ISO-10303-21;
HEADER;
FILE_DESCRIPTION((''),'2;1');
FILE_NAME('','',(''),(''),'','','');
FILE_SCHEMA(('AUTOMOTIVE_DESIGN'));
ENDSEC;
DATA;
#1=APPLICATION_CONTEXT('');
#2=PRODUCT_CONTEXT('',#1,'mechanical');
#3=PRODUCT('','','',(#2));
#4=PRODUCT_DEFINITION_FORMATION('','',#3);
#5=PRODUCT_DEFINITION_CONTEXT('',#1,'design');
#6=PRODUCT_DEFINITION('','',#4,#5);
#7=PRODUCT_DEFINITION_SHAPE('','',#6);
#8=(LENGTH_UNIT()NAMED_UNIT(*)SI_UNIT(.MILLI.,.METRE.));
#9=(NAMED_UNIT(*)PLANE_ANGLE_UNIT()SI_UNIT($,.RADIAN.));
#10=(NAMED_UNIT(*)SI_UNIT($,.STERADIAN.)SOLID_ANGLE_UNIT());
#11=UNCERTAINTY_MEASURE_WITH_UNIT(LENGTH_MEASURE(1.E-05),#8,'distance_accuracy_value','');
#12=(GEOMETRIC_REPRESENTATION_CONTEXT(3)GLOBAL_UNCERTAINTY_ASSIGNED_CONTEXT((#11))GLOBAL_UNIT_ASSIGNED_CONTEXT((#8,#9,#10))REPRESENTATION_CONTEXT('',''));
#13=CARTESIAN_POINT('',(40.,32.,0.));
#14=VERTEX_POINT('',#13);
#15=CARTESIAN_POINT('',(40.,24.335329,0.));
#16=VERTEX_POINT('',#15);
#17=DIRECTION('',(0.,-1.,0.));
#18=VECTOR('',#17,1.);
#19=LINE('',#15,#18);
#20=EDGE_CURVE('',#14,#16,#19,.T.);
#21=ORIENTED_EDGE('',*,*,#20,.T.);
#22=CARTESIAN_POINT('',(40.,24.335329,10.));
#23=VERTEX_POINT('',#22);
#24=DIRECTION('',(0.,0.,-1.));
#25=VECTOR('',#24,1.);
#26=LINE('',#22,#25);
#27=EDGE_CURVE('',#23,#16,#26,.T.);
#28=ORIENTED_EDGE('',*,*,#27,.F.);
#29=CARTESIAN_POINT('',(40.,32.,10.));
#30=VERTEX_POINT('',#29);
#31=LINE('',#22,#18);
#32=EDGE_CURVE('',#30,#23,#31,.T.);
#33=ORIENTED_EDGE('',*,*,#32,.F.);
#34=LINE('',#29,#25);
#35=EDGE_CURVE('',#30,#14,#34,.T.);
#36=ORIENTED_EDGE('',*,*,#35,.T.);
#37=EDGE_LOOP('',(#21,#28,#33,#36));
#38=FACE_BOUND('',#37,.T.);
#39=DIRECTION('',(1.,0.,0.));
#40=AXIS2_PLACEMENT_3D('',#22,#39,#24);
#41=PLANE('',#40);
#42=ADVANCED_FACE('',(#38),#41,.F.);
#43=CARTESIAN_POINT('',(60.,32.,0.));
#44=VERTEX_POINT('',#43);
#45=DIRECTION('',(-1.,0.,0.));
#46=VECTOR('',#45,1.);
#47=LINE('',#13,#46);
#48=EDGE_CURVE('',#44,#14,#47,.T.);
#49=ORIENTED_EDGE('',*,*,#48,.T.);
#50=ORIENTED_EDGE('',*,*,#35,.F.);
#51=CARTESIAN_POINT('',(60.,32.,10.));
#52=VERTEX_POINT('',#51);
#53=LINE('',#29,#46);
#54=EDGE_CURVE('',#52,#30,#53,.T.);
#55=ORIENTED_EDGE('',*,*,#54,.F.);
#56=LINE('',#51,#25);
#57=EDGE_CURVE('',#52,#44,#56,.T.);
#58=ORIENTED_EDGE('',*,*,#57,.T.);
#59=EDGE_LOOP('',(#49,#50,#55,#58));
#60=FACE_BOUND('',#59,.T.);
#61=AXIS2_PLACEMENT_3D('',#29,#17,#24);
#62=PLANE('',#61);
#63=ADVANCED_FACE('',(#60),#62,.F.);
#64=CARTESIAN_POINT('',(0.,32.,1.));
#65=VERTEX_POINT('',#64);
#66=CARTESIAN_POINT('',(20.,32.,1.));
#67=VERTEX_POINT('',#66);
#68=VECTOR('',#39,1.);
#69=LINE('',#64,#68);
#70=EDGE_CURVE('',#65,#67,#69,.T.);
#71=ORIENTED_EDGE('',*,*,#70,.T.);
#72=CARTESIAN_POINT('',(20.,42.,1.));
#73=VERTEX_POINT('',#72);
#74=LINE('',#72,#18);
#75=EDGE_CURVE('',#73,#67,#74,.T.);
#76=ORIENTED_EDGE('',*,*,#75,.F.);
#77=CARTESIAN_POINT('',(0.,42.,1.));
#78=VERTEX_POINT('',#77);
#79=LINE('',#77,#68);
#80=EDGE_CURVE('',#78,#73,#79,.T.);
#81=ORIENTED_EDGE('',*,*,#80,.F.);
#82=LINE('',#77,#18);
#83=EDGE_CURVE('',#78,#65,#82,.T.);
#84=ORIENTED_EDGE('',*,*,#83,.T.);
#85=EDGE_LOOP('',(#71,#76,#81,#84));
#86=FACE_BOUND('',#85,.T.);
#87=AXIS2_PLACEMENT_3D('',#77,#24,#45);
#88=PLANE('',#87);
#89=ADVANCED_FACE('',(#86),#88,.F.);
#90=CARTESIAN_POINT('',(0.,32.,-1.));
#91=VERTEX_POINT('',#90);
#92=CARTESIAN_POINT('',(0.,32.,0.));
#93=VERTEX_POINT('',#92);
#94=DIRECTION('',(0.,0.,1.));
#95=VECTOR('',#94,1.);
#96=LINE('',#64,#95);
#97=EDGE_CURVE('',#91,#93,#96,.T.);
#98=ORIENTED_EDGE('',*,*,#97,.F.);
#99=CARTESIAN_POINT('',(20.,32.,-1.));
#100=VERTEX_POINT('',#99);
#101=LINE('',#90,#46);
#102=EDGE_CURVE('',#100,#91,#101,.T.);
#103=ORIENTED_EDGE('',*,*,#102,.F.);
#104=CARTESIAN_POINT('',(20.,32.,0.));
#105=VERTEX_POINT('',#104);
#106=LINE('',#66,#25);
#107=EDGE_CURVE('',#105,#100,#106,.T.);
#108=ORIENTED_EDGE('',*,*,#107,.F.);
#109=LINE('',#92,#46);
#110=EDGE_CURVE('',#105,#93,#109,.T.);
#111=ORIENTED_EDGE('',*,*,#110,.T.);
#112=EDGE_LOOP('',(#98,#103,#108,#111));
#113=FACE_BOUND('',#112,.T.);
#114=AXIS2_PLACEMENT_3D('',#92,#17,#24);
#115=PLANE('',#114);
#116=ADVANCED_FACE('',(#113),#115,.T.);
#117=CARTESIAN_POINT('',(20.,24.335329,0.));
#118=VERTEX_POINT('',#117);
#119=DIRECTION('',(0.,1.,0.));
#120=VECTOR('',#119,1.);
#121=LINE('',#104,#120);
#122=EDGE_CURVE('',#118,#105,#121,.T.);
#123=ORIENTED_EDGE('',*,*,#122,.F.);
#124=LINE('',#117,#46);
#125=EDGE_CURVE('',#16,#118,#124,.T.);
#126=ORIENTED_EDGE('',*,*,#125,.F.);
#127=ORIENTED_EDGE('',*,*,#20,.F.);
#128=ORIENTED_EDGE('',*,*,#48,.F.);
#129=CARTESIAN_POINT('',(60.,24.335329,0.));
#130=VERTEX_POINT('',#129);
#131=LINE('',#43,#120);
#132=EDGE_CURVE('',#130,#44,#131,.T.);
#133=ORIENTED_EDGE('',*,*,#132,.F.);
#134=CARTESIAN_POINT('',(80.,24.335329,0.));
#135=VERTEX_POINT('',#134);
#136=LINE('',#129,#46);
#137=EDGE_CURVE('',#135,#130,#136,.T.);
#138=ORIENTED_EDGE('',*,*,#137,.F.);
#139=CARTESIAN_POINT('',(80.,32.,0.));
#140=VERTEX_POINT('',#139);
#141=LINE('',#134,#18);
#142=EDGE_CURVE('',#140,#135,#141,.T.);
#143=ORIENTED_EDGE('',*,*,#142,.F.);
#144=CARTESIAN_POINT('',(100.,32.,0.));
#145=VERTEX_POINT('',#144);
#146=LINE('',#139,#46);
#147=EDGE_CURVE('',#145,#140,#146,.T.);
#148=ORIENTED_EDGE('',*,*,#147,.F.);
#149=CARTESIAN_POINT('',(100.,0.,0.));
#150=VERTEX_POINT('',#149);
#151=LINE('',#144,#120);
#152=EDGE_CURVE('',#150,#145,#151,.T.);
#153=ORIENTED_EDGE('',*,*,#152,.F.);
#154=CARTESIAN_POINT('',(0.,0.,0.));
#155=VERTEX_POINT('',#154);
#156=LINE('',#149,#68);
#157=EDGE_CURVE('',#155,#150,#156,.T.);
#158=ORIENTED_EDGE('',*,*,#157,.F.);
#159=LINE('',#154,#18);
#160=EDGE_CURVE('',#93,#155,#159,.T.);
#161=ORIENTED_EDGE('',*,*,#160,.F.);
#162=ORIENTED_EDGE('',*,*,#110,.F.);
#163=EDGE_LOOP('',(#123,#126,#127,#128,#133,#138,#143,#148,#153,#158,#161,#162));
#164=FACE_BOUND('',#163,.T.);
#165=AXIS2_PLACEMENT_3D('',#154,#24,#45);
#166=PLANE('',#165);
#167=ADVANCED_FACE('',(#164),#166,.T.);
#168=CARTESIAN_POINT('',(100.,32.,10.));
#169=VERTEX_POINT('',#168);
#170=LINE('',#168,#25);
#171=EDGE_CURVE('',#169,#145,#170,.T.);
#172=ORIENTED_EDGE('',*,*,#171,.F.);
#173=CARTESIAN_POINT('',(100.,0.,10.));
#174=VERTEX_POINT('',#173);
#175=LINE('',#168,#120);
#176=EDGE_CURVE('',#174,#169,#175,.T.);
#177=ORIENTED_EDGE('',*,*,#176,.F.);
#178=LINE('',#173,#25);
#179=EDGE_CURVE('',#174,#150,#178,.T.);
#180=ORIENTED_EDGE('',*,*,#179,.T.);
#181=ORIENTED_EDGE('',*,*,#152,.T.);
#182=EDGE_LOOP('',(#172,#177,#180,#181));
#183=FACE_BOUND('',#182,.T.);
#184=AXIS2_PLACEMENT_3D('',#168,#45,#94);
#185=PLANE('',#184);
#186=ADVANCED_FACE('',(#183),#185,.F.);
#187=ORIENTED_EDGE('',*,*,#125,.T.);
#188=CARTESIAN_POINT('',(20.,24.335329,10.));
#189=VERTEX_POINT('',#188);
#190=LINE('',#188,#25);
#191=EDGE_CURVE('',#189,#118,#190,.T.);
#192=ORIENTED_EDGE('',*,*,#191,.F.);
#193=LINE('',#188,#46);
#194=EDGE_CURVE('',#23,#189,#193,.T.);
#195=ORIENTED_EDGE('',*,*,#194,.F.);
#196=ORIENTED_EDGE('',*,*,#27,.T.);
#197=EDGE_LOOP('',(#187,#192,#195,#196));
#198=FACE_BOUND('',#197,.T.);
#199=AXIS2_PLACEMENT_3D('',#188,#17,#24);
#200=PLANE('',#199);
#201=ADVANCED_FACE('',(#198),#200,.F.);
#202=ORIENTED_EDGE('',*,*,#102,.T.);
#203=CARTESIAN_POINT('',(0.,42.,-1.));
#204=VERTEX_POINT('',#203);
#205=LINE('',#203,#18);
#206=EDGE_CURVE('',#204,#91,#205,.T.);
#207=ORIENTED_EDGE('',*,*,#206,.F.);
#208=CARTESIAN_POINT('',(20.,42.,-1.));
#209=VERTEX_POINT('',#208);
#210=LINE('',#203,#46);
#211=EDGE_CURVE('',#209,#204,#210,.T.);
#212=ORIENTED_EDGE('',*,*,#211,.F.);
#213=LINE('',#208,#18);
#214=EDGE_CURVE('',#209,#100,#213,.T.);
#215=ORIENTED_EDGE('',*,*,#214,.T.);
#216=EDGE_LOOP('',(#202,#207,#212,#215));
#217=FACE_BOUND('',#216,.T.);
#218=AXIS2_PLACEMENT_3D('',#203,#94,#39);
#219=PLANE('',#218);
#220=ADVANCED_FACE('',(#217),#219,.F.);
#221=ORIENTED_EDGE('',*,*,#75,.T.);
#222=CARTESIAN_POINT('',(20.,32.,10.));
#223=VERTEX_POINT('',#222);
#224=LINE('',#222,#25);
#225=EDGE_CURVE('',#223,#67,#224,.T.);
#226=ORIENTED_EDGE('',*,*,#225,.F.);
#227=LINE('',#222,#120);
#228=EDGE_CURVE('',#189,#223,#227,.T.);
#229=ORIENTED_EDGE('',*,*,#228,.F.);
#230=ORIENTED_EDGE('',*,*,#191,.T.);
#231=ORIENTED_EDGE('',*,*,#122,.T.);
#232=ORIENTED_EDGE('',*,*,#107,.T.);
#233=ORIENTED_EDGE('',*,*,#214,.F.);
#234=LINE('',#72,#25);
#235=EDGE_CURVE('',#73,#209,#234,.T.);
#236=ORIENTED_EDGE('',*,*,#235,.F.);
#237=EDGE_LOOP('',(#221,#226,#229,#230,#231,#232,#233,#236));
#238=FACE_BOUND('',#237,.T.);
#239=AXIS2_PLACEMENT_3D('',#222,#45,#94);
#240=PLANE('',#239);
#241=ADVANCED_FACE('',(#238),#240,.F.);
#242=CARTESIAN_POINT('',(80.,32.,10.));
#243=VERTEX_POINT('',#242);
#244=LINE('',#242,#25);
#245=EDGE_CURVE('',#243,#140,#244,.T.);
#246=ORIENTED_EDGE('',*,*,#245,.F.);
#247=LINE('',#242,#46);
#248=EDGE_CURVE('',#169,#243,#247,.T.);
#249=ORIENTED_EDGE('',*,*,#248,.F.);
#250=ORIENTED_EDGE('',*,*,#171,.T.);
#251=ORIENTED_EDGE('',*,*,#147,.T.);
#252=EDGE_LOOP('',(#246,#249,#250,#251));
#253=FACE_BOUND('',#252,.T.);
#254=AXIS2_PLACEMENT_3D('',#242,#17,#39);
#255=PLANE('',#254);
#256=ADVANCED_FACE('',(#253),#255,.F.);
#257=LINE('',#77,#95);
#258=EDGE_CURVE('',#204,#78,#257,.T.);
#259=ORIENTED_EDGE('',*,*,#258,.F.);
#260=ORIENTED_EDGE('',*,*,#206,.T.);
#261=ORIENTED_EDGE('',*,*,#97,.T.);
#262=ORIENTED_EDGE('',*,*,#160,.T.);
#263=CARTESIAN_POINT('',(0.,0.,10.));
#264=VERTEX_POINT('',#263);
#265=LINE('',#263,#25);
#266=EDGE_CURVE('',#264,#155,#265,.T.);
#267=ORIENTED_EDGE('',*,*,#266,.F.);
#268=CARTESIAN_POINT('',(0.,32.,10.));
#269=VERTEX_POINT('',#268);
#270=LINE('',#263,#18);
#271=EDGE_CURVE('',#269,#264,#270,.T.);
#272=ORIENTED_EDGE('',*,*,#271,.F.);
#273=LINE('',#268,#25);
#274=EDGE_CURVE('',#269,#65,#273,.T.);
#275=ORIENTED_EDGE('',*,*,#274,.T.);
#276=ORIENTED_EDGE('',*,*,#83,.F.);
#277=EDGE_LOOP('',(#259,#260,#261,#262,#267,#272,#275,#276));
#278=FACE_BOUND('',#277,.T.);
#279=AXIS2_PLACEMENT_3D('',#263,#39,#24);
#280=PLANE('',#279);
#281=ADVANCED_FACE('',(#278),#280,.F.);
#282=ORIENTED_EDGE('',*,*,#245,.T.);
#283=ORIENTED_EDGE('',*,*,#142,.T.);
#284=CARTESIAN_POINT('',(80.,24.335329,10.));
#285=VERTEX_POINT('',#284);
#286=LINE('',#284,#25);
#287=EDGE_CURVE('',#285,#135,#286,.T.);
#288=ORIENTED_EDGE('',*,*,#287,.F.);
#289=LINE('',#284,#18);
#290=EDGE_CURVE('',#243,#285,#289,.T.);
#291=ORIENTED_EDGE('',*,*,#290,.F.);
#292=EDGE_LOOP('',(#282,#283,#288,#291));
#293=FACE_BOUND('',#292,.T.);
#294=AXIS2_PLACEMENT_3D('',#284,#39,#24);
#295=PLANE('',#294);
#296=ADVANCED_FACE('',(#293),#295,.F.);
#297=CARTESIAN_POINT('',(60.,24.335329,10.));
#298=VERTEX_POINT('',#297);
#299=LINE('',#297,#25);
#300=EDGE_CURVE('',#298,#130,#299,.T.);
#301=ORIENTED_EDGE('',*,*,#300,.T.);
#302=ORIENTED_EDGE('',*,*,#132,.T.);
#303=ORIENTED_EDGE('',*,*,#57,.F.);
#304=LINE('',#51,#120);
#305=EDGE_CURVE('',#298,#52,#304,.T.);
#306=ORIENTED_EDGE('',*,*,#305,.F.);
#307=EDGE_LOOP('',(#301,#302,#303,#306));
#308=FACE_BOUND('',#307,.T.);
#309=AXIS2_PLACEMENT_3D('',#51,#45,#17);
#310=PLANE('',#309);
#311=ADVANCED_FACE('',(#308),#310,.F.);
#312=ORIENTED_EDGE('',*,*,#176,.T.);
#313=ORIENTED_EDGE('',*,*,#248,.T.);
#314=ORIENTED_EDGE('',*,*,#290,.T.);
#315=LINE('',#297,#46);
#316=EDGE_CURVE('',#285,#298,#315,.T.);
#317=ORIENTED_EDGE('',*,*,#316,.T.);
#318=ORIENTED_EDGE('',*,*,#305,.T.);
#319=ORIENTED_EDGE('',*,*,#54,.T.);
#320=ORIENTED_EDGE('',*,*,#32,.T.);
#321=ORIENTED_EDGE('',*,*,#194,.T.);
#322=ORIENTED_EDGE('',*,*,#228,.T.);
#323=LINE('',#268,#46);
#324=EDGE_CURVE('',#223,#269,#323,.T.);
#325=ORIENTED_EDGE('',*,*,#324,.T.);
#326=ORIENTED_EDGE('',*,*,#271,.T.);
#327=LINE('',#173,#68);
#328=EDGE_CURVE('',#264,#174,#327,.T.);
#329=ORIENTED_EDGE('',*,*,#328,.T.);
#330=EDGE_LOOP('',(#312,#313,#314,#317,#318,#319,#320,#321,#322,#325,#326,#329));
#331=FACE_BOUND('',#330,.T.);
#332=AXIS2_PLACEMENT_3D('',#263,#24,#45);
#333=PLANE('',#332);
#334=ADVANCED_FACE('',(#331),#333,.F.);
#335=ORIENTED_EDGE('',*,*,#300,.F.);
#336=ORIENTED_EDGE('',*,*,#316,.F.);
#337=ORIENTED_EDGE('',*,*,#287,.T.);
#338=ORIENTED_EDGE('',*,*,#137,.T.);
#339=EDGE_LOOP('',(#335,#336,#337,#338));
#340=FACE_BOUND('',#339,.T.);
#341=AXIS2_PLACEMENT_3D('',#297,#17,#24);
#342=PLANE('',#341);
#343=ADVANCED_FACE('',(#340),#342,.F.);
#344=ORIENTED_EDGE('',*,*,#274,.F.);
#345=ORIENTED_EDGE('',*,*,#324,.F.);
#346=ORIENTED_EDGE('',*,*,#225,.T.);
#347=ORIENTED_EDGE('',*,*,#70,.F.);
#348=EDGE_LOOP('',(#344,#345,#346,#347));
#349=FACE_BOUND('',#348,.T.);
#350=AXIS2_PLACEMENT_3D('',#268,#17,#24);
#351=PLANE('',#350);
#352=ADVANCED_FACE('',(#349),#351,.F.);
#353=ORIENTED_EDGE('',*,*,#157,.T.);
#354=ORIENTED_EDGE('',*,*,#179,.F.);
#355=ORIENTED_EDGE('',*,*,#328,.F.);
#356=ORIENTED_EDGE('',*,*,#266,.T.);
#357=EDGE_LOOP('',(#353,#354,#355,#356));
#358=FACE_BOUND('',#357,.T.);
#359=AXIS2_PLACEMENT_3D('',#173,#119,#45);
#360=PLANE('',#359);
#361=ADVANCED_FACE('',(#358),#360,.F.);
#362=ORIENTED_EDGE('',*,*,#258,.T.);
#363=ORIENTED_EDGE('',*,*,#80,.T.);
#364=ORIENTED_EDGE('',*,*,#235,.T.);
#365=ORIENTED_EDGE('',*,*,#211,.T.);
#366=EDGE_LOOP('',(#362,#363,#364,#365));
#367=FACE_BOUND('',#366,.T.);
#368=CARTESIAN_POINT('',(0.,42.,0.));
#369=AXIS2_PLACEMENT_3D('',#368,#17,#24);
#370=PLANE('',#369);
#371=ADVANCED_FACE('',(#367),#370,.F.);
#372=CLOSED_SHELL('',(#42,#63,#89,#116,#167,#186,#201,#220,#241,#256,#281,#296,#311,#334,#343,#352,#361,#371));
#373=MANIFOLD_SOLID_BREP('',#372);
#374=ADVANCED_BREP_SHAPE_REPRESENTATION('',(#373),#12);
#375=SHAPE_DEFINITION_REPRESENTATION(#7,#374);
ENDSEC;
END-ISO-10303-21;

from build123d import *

# Parameters (mm, degrees)
BOSS_EXTRUDE2_DEPTH = 10
SKETCH2_W           = 20
SKETCH2_H           = 2
BOSS_EXTRUDE4_DEPTH = 10


with BuildPart() as part:
    # Sketch1 → Boss-Extrude2 (new body)
    with BuildSketch(Plane.XY):
        Polygon((0, 0), (0, 32), (20, 32), (20, 24.335329341), (40, 24.335329341), (40, 32), (60, 32), (60, 24.335329341), (80, 24.335329341), (80, 32), (100, 32), (100, 0), align=None)
    extrude(amount=BOSS_EXTRUDE2_DEPTH)

    # Sketch2 → Boss-Extrude4 (add)
    with BuildSketch(Plane(origin=(0, 32, 0), x_dir=(1, 0, 0), z_dir=(0, 1, 0))):
        with Locations((10, 0)):
            Rectangle(SKETCH2_W, SKETCH2_H)
    extrude(amount=BOSS_EXTRUDE4_DEPTH)


solid = part.part
